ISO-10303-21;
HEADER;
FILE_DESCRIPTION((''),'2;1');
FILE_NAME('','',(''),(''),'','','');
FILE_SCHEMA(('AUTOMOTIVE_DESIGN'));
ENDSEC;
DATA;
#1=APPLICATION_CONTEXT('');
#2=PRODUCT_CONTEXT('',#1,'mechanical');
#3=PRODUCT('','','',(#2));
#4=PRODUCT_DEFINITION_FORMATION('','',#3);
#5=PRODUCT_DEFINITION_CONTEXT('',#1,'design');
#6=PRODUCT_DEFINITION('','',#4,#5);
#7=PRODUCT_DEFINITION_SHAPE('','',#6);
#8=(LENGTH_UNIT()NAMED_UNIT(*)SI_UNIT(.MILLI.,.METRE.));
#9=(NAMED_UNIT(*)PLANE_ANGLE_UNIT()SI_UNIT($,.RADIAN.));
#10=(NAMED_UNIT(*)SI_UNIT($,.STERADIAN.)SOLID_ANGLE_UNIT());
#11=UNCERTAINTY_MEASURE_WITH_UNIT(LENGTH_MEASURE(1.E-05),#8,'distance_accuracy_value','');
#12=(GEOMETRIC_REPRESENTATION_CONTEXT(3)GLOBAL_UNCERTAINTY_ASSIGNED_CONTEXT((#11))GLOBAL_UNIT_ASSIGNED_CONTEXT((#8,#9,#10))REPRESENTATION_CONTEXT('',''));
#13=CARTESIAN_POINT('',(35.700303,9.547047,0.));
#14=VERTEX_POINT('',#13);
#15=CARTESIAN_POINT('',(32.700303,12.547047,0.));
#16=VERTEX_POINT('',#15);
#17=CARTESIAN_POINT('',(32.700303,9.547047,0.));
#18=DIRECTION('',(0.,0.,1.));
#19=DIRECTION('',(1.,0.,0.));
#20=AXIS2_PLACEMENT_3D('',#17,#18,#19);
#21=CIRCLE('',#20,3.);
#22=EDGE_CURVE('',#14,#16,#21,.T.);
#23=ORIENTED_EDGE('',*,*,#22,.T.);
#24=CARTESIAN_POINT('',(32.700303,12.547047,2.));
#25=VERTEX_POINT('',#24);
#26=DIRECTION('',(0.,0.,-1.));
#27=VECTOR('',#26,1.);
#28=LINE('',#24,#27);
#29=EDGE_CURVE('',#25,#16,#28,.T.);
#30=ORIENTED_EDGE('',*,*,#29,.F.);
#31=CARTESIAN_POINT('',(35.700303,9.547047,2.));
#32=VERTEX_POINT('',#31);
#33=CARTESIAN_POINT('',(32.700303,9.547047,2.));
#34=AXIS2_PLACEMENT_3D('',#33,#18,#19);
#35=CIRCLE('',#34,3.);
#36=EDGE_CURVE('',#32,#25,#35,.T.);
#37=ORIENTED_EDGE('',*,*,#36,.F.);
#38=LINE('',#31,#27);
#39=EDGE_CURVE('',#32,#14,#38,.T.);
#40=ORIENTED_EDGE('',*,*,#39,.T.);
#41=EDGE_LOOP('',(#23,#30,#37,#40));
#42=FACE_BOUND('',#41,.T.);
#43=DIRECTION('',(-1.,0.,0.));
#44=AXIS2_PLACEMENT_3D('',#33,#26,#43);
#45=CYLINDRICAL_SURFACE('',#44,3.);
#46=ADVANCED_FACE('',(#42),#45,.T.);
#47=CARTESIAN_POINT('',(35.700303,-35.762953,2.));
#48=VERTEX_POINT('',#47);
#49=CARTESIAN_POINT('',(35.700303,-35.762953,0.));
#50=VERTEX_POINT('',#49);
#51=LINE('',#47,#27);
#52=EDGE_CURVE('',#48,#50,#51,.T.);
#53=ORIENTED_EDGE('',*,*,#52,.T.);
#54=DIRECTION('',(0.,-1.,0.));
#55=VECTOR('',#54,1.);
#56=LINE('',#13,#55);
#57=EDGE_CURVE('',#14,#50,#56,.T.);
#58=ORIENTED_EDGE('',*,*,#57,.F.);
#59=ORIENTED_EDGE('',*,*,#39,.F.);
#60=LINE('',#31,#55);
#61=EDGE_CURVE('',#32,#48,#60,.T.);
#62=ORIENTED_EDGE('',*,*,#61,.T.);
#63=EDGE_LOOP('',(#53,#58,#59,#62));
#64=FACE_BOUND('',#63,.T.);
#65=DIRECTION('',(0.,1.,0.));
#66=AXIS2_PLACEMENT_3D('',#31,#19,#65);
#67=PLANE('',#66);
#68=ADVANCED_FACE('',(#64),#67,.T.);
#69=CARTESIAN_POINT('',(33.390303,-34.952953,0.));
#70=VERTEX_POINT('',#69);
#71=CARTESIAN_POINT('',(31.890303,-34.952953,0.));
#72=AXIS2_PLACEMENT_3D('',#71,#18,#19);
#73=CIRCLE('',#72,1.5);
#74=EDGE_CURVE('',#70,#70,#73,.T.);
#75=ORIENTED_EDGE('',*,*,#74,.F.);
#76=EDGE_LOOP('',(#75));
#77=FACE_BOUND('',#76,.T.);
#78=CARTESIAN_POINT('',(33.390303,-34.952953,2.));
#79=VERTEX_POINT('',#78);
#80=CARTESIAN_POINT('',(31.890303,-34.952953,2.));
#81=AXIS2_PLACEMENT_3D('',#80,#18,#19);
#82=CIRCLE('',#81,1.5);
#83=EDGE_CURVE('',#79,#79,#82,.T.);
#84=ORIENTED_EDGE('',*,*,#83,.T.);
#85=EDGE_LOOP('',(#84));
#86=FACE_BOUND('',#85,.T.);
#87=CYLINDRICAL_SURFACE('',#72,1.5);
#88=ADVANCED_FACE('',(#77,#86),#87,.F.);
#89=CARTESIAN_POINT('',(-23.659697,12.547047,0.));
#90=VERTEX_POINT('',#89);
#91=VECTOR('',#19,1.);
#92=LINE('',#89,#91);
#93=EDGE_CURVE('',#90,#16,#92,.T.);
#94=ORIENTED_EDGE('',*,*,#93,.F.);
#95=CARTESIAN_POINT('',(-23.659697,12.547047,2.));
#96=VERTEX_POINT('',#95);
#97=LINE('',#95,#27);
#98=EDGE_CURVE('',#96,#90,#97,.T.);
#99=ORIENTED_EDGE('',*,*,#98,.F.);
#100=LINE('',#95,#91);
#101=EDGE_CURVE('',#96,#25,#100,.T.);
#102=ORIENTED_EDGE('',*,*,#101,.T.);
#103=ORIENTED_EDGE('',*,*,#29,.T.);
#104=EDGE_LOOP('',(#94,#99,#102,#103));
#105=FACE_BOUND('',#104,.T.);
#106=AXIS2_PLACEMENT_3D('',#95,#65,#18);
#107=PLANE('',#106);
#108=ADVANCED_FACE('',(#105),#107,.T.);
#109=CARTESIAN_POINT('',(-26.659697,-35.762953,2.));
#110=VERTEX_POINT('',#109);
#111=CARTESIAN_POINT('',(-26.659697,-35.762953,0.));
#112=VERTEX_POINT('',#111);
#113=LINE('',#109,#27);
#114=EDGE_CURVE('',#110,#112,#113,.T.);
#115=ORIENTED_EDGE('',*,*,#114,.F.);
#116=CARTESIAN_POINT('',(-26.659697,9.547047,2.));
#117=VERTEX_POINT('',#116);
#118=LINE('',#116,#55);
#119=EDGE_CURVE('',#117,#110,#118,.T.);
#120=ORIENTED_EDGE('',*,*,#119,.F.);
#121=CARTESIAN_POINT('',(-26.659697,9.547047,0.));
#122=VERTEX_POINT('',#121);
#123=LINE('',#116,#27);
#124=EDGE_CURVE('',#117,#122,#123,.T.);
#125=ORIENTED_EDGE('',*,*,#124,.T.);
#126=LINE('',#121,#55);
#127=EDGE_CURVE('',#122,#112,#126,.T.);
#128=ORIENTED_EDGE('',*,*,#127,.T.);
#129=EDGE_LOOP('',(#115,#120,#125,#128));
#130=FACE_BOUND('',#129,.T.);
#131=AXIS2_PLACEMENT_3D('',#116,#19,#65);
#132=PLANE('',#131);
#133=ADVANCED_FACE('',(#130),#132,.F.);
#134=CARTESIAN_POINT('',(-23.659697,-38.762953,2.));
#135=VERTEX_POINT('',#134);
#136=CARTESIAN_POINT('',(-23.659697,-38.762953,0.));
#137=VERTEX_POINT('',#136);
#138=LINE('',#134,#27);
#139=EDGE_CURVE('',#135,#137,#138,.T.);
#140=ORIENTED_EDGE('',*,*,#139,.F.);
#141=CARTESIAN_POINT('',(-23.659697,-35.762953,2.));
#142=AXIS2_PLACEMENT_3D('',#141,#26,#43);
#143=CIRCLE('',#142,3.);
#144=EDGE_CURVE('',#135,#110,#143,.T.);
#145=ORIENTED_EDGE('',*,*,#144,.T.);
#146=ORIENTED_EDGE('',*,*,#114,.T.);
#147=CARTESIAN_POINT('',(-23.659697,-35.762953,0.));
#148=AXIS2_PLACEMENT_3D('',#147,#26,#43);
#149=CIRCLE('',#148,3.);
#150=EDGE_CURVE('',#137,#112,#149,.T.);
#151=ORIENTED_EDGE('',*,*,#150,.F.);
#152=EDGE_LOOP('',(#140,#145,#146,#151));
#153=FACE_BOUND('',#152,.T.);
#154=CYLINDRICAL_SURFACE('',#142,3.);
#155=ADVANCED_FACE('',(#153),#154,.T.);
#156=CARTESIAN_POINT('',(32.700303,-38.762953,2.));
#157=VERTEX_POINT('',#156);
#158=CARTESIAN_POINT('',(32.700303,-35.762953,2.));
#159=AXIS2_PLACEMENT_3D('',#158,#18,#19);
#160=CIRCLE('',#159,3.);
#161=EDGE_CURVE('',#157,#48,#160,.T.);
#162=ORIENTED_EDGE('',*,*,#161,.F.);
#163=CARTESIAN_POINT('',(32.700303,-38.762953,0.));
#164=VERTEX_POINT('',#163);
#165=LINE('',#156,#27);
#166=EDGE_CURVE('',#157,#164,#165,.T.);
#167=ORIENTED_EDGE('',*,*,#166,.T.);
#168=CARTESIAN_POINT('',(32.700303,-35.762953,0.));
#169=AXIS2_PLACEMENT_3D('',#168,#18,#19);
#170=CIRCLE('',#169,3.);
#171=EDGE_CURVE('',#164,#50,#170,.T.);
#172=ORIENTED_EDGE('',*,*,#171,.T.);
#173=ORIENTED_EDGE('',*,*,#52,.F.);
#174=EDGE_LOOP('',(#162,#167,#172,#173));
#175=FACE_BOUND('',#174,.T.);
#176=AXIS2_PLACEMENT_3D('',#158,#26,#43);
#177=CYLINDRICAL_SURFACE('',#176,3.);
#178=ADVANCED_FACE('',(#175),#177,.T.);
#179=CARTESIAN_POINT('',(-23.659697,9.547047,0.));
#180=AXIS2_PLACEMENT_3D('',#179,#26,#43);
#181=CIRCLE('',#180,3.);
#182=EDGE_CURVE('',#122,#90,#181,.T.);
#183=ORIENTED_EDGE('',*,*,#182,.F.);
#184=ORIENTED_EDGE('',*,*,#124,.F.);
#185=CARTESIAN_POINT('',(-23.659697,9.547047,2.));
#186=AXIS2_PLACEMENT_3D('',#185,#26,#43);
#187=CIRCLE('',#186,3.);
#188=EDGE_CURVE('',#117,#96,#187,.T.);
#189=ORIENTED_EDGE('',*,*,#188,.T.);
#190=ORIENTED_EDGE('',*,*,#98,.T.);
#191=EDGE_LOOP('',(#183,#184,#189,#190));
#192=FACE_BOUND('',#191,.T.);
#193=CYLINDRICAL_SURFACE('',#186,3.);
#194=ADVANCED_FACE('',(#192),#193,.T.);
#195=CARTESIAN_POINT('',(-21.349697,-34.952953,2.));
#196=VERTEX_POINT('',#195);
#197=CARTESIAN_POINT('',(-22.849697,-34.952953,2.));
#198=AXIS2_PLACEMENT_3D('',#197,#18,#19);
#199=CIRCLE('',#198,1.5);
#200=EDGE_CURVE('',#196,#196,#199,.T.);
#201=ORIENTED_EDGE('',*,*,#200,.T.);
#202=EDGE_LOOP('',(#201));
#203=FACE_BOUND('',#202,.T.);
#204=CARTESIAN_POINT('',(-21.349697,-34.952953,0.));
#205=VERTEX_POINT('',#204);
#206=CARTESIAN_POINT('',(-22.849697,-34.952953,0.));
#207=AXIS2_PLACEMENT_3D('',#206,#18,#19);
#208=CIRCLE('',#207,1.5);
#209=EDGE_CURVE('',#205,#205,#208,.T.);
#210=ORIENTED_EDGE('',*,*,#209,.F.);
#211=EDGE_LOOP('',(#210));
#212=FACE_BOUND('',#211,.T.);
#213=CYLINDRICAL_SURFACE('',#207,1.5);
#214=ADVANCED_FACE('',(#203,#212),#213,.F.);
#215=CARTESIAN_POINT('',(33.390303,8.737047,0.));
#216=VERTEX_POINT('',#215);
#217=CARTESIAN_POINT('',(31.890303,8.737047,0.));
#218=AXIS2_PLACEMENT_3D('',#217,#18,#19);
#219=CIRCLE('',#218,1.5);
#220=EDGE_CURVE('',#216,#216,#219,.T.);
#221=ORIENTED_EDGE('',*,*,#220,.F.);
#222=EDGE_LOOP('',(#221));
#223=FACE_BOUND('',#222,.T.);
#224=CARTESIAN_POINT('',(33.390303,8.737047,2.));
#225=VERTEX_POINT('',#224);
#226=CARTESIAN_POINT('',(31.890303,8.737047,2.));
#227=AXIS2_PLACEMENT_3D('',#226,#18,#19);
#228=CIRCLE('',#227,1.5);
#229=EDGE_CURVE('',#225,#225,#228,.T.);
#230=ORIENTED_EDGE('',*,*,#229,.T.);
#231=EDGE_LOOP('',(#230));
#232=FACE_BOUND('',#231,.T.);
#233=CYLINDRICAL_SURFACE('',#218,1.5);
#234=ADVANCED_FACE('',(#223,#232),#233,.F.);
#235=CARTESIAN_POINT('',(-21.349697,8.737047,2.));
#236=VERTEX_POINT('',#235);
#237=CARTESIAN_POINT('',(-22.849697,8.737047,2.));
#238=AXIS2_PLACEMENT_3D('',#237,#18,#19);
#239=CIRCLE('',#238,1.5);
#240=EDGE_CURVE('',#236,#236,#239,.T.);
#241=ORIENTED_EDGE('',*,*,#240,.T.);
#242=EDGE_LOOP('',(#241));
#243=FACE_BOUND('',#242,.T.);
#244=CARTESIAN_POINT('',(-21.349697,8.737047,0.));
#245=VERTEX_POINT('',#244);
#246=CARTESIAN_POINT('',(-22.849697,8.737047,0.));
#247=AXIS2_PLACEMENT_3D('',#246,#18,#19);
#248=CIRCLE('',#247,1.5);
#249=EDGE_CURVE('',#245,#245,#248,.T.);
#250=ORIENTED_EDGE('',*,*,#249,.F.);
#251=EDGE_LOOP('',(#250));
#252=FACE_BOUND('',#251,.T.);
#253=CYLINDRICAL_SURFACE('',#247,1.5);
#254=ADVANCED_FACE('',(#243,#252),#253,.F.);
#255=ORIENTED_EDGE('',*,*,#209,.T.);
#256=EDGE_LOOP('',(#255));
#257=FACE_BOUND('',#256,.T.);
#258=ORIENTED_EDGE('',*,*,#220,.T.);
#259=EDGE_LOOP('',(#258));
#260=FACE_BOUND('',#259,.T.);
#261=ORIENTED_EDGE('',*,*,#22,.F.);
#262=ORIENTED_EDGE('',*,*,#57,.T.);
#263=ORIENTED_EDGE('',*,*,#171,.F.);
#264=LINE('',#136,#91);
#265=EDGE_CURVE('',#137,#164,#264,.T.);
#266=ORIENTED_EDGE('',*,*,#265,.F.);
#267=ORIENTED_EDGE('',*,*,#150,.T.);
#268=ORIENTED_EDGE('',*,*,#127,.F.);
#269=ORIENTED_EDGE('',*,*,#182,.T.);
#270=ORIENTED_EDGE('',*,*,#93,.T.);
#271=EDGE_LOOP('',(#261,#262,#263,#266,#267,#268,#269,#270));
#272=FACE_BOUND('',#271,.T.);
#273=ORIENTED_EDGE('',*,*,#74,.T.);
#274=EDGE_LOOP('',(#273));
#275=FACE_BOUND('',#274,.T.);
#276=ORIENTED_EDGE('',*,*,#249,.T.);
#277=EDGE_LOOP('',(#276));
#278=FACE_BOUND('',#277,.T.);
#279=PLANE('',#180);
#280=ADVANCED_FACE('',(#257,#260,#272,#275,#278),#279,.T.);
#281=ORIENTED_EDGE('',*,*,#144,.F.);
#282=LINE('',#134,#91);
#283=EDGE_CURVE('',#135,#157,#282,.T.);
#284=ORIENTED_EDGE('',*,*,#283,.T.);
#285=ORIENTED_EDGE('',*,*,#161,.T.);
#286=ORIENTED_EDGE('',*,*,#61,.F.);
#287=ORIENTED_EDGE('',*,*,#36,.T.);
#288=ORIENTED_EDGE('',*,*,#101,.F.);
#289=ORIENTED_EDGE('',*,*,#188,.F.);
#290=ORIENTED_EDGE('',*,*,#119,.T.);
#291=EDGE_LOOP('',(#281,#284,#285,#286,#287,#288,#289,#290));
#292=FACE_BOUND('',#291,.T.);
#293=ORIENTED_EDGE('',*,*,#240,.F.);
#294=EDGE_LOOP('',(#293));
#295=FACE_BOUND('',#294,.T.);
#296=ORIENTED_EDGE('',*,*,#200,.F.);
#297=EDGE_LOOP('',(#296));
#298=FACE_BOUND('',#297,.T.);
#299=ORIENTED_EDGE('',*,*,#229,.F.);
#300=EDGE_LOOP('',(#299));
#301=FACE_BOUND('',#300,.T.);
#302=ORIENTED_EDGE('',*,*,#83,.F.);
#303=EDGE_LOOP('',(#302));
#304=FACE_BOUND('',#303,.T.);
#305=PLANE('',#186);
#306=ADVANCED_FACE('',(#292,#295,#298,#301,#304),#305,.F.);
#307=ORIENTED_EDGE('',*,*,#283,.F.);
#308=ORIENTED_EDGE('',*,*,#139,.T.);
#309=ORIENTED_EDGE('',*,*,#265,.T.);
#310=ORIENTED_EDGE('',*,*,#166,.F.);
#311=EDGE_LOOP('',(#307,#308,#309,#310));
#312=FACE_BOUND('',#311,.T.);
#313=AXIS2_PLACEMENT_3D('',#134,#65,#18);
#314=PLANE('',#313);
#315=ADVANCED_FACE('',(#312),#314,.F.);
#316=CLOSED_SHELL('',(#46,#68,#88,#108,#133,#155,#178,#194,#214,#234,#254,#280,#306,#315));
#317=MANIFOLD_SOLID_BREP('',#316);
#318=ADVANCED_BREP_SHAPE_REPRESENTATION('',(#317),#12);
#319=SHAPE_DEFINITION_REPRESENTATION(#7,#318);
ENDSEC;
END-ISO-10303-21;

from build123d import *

# Parameters (mm, degrees)
EXTRUDE_2_DEPTH     = 2
SKETCH_3_R          = 1.5
CUT_EXTRUDE_1_DEPTH = 2


with BuildPart() as part:
    # 草图1 → 凸台-拉伸2 (new body)
    with BuildSketch(Plane.XY):
        with BuildLine():
            Line((-23.659696587, 12.547047464), (32.700303413, 12.547047464))
            ThreePointArc((32.700303413, 12.547047464), (34.821623757, 11.668367808), (35.700303413, 9.547047464))
            Line((35.700303413, 9.547047464), (35.700303413, -35.762952536))
            ThreePointArc((35.700303413, -35.762952536), (34.821623757, -37.884272879), (32.700303413, -38.762952536))
            Line((32.700303413, -38.762952536), (-23.659696587, -38.762952536))
            ThreePointArc((-23.659696587, -38.762952536), (-25.78101693, -37.884272879), (-26.659696587, -35.762952536))
            Line((-26.659696587, -35.762952536), (-26.659696587, 9.547047464))
            ThreePointArc((-26.659696587, 9.547047464), (-25.78101693, 11.668367808), (-23.659696587, 12.547047464))
        make_face()
    extrude(amount=EXTRUDE_2_DEPTH)

    # 草图3 → 切除-拉伸1 (cut)
    with BuildSketch(Plane.XY.offset(2)):
        with Locations((-22.849696587, 8.737047464)):
            Circle(SKETCH_3_R)
        with Locations((31.890303413, 8.737047464)):
            Circle(SKETCH_3_R)
        with Locations((-22.849696587, -34.952952536)):
            Circle(SKETCH_3_R)
        with Locations((31.890303413, -34.952952536)):
            Circle(SKETCH_3_R)
    extrude(amount=-CUT_EXTRUDE_1_DEPTH, mode=Mode.SUBTRACT)


solid = part.part
